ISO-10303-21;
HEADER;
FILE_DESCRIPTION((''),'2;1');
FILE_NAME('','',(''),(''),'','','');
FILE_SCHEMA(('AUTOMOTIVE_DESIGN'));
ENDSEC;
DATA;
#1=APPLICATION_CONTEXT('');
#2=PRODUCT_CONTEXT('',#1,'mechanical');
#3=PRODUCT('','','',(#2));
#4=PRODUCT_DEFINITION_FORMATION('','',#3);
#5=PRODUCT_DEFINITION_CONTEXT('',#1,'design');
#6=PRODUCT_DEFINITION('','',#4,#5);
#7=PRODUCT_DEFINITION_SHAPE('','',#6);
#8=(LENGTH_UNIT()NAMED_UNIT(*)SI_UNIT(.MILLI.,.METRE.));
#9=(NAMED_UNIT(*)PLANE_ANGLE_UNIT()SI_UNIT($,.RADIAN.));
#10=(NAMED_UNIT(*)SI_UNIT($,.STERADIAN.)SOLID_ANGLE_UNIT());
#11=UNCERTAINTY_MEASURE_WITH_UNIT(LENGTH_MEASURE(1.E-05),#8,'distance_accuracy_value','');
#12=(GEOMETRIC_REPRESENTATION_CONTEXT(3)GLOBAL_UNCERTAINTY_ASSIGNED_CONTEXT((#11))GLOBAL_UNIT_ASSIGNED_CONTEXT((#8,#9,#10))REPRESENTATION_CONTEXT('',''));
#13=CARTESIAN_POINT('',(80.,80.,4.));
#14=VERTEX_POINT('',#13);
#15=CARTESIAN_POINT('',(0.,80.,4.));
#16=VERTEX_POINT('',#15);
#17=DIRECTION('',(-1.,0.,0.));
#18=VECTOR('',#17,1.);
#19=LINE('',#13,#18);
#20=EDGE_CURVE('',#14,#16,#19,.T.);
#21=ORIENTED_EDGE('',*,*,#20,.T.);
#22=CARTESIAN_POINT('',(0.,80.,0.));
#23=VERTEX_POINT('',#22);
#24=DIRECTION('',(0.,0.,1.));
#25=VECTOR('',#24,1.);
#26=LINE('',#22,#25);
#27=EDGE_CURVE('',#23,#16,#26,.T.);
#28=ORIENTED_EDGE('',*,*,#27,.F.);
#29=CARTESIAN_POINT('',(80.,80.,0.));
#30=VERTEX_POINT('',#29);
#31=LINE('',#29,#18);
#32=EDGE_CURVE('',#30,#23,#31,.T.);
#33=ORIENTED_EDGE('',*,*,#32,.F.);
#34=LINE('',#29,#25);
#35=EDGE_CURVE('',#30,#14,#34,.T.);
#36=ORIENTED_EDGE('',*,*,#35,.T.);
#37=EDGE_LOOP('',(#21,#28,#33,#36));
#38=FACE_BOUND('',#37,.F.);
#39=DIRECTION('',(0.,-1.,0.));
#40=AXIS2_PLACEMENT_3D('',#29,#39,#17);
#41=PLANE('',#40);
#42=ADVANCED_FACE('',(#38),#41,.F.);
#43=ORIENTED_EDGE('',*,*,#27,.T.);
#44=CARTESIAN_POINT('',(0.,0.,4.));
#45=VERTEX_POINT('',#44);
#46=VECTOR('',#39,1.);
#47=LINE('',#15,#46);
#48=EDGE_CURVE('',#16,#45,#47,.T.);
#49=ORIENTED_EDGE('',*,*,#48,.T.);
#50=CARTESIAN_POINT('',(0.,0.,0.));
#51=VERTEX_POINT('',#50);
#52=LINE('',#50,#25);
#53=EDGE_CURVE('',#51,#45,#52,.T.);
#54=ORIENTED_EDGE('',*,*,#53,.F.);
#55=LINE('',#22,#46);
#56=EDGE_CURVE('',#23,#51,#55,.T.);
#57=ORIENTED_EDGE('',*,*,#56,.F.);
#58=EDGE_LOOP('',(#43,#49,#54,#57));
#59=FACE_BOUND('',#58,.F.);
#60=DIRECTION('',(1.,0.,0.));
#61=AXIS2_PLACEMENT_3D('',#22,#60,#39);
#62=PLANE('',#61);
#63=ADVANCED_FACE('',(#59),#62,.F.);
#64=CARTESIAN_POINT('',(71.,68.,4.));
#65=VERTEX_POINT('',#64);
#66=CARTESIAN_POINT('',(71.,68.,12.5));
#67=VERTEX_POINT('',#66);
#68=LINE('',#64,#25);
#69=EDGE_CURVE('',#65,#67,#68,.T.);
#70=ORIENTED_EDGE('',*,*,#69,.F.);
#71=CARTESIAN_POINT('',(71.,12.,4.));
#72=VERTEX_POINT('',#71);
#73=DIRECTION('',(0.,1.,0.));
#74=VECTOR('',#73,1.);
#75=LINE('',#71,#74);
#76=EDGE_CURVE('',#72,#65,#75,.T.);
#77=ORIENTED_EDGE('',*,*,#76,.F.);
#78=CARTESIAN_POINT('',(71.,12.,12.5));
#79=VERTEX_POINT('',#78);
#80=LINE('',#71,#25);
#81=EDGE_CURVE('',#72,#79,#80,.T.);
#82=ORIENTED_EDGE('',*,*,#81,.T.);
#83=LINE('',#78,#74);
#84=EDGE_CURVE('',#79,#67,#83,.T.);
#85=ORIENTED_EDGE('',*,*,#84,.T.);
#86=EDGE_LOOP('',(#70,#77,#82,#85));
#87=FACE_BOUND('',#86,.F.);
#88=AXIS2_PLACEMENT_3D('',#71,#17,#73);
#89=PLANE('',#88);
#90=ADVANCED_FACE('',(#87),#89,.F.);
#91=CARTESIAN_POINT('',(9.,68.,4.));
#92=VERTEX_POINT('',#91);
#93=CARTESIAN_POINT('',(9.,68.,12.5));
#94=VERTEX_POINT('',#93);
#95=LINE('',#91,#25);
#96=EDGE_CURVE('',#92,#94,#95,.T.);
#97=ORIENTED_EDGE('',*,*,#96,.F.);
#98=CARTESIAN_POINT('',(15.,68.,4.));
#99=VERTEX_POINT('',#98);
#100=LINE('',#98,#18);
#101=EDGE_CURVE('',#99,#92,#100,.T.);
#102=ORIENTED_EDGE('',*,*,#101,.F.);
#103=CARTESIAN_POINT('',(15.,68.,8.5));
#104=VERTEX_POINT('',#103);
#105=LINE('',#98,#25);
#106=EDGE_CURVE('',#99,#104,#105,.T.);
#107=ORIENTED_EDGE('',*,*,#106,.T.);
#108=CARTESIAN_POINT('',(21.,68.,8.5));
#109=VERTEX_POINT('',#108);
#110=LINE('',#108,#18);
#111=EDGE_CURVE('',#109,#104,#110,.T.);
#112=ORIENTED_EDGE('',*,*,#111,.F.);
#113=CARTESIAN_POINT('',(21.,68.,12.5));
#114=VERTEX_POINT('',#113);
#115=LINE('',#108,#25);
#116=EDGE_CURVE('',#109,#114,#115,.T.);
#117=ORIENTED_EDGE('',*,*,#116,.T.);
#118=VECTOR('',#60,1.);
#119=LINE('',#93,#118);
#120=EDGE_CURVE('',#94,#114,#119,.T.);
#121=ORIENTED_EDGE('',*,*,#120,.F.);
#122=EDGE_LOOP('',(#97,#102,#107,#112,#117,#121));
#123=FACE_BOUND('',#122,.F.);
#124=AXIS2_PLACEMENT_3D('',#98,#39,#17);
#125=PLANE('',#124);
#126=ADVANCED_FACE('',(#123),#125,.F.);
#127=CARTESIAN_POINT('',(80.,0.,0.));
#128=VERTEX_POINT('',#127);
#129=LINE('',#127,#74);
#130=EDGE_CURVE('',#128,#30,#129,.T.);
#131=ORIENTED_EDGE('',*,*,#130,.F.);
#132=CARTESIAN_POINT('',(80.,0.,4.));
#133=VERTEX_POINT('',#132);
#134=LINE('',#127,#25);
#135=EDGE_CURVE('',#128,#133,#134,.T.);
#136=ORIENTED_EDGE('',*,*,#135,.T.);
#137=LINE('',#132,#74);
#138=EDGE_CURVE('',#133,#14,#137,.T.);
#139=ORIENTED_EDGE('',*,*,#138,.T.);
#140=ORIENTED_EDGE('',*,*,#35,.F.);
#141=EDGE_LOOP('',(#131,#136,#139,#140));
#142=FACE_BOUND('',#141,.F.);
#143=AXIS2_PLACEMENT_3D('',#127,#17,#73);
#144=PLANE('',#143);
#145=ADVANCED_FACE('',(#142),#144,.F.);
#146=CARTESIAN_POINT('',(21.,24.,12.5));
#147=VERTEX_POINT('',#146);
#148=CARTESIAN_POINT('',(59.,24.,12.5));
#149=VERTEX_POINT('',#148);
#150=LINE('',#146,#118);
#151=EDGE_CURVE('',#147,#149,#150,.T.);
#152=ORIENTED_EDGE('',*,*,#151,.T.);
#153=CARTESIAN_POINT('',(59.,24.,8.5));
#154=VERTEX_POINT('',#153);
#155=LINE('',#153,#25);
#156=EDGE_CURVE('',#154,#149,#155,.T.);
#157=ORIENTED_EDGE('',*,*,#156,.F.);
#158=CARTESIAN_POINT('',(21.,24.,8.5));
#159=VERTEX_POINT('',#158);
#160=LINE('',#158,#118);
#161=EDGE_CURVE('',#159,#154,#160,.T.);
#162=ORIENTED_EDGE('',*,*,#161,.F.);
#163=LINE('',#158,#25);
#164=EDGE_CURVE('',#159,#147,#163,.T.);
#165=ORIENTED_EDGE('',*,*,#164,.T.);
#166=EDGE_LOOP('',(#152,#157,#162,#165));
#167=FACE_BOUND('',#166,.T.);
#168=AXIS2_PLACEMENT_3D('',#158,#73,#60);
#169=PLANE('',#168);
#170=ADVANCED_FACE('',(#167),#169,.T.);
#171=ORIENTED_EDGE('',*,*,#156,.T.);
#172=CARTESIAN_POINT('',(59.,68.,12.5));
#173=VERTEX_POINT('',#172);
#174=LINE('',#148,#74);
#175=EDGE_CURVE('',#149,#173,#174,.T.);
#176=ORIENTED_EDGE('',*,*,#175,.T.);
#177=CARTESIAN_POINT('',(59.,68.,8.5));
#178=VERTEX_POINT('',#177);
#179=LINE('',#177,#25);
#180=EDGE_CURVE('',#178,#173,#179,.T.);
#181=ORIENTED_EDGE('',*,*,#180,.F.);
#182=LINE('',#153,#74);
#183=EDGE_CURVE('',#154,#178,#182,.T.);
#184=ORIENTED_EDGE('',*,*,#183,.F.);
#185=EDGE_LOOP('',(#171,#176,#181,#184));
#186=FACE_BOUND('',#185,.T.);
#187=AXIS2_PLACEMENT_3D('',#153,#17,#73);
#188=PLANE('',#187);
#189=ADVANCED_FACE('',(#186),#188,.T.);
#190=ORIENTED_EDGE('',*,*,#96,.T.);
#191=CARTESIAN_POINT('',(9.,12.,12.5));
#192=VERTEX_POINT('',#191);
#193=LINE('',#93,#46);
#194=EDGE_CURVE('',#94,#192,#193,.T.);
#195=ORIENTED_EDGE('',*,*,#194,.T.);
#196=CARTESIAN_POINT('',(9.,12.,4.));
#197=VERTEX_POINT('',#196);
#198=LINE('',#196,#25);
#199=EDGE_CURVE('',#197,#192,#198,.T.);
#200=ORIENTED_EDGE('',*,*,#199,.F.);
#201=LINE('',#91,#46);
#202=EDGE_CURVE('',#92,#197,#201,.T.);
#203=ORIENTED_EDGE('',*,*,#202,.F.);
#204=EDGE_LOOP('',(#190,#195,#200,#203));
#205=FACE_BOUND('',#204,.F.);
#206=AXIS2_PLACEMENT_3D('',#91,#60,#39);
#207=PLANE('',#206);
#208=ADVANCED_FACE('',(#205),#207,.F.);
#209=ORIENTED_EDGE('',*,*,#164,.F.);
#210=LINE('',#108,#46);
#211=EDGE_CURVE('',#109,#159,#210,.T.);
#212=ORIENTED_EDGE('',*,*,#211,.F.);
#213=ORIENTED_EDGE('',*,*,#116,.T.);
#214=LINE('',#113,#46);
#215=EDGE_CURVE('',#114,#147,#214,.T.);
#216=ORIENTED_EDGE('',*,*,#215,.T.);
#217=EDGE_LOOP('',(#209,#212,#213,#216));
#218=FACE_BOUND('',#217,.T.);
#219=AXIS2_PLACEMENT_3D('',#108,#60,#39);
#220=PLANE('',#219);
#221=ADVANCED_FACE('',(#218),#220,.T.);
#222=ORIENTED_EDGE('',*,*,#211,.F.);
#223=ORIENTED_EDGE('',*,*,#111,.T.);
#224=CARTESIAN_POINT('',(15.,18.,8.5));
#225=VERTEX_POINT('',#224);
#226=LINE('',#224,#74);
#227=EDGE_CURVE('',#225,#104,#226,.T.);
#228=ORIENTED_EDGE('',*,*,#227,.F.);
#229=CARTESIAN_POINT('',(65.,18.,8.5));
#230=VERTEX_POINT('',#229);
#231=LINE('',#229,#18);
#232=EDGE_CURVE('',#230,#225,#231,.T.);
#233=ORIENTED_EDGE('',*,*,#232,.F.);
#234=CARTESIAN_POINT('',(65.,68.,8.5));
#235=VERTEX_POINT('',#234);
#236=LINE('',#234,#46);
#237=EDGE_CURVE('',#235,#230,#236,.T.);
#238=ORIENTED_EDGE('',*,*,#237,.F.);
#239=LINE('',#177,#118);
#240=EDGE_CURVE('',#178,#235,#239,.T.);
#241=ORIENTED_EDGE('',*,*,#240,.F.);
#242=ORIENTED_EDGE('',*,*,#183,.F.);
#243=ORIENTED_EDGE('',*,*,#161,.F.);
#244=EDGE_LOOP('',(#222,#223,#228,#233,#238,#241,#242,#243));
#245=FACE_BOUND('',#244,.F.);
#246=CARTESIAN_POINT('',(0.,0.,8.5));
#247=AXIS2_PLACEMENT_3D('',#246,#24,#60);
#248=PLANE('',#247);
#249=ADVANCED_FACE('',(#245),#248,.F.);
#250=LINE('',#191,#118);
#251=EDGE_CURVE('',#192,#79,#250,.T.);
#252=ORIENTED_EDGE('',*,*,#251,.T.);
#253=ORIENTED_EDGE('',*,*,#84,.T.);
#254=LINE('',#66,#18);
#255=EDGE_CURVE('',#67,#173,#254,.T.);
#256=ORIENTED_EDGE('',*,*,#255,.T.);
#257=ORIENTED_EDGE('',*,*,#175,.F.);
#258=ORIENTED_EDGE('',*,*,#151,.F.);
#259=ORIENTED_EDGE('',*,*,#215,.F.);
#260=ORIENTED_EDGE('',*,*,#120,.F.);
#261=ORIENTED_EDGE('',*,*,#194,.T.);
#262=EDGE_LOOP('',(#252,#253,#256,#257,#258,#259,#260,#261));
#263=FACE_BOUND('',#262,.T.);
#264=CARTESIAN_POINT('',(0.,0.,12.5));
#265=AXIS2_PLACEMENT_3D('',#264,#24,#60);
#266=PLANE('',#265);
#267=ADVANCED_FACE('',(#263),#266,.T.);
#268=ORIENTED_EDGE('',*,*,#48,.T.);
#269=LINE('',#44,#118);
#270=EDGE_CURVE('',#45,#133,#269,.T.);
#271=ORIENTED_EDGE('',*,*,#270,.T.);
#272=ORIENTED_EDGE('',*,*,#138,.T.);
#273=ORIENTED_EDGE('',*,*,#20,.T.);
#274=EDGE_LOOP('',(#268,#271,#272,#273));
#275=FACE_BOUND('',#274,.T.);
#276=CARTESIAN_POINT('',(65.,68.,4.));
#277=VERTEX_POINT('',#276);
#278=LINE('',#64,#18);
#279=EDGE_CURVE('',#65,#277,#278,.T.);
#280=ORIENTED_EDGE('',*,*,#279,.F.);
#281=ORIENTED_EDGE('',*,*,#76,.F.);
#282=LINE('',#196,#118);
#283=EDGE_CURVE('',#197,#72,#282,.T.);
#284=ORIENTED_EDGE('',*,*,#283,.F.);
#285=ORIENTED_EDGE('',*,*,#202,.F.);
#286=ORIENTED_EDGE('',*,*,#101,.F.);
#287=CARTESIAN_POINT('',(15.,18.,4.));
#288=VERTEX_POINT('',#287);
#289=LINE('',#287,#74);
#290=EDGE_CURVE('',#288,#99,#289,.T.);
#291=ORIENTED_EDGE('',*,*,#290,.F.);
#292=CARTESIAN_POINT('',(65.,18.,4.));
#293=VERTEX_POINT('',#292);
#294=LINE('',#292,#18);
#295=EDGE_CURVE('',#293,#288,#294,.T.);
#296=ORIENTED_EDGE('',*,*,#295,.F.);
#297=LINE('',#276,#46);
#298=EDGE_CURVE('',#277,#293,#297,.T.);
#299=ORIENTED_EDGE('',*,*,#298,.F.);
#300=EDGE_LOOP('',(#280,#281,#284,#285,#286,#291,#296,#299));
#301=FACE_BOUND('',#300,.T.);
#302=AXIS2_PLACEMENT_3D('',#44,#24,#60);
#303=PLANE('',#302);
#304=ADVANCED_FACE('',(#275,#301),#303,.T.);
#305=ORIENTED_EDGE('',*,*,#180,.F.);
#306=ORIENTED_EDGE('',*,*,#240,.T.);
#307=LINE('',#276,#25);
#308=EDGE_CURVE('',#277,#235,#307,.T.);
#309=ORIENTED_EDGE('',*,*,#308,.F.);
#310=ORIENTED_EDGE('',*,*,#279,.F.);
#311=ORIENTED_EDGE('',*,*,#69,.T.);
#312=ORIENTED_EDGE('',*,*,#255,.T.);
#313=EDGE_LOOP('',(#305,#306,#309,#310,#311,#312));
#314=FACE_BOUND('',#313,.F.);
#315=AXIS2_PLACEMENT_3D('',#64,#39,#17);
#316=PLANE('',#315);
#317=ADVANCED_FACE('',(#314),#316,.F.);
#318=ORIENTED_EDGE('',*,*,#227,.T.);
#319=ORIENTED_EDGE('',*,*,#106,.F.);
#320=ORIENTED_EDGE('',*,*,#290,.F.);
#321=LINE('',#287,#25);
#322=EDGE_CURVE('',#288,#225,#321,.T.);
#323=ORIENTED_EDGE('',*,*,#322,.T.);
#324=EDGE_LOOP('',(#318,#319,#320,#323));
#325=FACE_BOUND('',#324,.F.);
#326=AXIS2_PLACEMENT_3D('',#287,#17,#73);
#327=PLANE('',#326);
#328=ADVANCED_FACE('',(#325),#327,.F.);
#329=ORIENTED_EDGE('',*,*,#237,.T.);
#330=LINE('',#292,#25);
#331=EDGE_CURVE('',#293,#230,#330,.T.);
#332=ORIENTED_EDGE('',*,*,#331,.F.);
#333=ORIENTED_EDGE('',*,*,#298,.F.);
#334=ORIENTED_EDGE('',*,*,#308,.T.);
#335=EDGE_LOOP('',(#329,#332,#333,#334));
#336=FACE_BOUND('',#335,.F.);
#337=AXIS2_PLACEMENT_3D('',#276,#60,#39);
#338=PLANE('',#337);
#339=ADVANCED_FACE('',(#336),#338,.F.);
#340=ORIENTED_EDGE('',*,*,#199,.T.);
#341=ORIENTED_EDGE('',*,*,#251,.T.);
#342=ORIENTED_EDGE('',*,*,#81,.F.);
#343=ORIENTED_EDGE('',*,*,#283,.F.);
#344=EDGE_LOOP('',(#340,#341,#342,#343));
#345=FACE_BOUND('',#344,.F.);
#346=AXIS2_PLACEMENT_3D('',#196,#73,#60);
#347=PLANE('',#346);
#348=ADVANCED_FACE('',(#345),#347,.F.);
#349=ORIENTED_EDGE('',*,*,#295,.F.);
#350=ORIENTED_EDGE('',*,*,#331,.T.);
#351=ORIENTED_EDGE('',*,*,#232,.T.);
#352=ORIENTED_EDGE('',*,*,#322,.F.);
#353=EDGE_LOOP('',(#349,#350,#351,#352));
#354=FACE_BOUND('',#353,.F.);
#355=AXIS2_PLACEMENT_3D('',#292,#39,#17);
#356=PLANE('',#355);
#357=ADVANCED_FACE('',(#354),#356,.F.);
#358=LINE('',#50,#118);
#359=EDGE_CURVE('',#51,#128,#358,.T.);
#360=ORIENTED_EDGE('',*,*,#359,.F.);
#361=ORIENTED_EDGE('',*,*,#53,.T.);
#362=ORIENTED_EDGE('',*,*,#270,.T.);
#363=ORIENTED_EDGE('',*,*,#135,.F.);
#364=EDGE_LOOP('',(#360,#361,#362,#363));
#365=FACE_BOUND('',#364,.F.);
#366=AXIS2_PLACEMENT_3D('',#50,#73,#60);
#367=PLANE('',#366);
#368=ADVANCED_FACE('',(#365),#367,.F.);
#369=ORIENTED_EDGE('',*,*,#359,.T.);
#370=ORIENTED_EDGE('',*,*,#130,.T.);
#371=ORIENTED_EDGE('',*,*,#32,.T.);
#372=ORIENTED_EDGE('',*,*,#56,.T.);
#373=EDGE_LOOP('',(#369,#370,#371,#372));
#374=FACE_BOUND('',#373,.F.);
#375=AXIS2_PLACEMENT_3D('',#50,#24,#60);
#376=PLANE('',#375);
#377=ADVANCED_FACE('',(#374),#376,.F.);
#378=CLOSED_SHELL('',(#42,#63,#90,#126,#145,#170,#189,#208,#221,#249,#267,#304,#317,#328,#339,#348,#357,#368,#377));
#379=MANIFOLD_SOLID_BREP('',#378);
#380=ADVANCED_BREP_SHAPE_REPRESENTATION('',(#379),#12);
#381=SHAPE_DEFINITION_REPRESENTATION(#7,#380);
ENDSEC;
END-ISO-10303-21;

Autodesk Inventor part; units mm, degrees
ref_plane "YZ Plane" through (0, 0, 0) normal (1, 0, 0) x (0, 1, 0)
ref_plane "XZ Plane" through (0, 0, 0) normal (0, 1, 0) x (-1, 0, 0)
ref_plane "XY Plane" through (0, 0, 0) normal (0, 0, 1) x (1, 0, 0)
sketch "Sketch1" plane through (0, 0, 0) normal (0, 0, 1) x (1, 0, 0)
  line L0 (0, 0) -> (80, 0)
  line L1 (80, 0) -> (80, 80)
  line L2 (80, 80) -> (0, 80)
  line L3 (0, 80) -> (0, 0)
  dimension "d0" = 80
  dimension "d1" = 80
extrude "Extrusion1" add sketch "Sketch1" along normal blind 4
sketch "Sketch2" plane through (0, 0, 4) normal (0, 0, 1) x (1, 0, 0)
  line L0 (0, 0) -> (80, 0) projected
  line L1 (80, 0) -> (80, 80) projected
  line L2 (9, 68) -> (9, 12)
  line L3 (9, 12) -> (71, 12)
  line L4 (71, 12) -> (71, 68)
  line L5 (71, 68) -> (65, 68)
  line L6 (65, 68) -> (65, 18)
  line L7 (65, 18) -> (15, 18)
  line L8 (15, 18) -> (15, 68)
  line L9 (15, 68) -> (9, 68)
  dimension "d4" = 6
  dimension "d5" = 6
  dimension "d6" = 50
  dimension "d7" = 50
  dimension "d8" = 9
  dimension "d9" = 12
extrude "Extrusion2" add sketch "Sketch2" along normal blind 4.5
sketch "Sketch3" plane through (0, 0, 8.5) normal (0, 0, 1) x (1, 0, 0)
  line L0 (9, 68) -> (9, 12) projected
  line L1 (9, 12) -> (71, 12) projected
  line L2 (71, 12) -> (71, 68) projected
  line L3 (71, 68) -> (65, 68) projected
  line L4 (65, 68) -> (65, 18) projected
  line L5 (65, 18) -> (15, 18) projected
  line L6 (15, 18) -> (15, 68) projected
  line L7 (15, 68) -> (9, 68) projected
  line L8 (15, 68) -> (21, 68)
  line L9 (21, 68) -> (21, 24)
  line L10 (21, 24) -> (59, 24)
  line L11 (59, 24) -> (59, 68)
  line L12 (59, 68) -> (65, 68)
  point P0 (0, 0)
  dimension "d12" = 6
  dimension "d13" = 6
extrude "Extrusion3" add sketch "Sketch3" along normal blind 4
properties part number "SpoolHolderSplitBase"
